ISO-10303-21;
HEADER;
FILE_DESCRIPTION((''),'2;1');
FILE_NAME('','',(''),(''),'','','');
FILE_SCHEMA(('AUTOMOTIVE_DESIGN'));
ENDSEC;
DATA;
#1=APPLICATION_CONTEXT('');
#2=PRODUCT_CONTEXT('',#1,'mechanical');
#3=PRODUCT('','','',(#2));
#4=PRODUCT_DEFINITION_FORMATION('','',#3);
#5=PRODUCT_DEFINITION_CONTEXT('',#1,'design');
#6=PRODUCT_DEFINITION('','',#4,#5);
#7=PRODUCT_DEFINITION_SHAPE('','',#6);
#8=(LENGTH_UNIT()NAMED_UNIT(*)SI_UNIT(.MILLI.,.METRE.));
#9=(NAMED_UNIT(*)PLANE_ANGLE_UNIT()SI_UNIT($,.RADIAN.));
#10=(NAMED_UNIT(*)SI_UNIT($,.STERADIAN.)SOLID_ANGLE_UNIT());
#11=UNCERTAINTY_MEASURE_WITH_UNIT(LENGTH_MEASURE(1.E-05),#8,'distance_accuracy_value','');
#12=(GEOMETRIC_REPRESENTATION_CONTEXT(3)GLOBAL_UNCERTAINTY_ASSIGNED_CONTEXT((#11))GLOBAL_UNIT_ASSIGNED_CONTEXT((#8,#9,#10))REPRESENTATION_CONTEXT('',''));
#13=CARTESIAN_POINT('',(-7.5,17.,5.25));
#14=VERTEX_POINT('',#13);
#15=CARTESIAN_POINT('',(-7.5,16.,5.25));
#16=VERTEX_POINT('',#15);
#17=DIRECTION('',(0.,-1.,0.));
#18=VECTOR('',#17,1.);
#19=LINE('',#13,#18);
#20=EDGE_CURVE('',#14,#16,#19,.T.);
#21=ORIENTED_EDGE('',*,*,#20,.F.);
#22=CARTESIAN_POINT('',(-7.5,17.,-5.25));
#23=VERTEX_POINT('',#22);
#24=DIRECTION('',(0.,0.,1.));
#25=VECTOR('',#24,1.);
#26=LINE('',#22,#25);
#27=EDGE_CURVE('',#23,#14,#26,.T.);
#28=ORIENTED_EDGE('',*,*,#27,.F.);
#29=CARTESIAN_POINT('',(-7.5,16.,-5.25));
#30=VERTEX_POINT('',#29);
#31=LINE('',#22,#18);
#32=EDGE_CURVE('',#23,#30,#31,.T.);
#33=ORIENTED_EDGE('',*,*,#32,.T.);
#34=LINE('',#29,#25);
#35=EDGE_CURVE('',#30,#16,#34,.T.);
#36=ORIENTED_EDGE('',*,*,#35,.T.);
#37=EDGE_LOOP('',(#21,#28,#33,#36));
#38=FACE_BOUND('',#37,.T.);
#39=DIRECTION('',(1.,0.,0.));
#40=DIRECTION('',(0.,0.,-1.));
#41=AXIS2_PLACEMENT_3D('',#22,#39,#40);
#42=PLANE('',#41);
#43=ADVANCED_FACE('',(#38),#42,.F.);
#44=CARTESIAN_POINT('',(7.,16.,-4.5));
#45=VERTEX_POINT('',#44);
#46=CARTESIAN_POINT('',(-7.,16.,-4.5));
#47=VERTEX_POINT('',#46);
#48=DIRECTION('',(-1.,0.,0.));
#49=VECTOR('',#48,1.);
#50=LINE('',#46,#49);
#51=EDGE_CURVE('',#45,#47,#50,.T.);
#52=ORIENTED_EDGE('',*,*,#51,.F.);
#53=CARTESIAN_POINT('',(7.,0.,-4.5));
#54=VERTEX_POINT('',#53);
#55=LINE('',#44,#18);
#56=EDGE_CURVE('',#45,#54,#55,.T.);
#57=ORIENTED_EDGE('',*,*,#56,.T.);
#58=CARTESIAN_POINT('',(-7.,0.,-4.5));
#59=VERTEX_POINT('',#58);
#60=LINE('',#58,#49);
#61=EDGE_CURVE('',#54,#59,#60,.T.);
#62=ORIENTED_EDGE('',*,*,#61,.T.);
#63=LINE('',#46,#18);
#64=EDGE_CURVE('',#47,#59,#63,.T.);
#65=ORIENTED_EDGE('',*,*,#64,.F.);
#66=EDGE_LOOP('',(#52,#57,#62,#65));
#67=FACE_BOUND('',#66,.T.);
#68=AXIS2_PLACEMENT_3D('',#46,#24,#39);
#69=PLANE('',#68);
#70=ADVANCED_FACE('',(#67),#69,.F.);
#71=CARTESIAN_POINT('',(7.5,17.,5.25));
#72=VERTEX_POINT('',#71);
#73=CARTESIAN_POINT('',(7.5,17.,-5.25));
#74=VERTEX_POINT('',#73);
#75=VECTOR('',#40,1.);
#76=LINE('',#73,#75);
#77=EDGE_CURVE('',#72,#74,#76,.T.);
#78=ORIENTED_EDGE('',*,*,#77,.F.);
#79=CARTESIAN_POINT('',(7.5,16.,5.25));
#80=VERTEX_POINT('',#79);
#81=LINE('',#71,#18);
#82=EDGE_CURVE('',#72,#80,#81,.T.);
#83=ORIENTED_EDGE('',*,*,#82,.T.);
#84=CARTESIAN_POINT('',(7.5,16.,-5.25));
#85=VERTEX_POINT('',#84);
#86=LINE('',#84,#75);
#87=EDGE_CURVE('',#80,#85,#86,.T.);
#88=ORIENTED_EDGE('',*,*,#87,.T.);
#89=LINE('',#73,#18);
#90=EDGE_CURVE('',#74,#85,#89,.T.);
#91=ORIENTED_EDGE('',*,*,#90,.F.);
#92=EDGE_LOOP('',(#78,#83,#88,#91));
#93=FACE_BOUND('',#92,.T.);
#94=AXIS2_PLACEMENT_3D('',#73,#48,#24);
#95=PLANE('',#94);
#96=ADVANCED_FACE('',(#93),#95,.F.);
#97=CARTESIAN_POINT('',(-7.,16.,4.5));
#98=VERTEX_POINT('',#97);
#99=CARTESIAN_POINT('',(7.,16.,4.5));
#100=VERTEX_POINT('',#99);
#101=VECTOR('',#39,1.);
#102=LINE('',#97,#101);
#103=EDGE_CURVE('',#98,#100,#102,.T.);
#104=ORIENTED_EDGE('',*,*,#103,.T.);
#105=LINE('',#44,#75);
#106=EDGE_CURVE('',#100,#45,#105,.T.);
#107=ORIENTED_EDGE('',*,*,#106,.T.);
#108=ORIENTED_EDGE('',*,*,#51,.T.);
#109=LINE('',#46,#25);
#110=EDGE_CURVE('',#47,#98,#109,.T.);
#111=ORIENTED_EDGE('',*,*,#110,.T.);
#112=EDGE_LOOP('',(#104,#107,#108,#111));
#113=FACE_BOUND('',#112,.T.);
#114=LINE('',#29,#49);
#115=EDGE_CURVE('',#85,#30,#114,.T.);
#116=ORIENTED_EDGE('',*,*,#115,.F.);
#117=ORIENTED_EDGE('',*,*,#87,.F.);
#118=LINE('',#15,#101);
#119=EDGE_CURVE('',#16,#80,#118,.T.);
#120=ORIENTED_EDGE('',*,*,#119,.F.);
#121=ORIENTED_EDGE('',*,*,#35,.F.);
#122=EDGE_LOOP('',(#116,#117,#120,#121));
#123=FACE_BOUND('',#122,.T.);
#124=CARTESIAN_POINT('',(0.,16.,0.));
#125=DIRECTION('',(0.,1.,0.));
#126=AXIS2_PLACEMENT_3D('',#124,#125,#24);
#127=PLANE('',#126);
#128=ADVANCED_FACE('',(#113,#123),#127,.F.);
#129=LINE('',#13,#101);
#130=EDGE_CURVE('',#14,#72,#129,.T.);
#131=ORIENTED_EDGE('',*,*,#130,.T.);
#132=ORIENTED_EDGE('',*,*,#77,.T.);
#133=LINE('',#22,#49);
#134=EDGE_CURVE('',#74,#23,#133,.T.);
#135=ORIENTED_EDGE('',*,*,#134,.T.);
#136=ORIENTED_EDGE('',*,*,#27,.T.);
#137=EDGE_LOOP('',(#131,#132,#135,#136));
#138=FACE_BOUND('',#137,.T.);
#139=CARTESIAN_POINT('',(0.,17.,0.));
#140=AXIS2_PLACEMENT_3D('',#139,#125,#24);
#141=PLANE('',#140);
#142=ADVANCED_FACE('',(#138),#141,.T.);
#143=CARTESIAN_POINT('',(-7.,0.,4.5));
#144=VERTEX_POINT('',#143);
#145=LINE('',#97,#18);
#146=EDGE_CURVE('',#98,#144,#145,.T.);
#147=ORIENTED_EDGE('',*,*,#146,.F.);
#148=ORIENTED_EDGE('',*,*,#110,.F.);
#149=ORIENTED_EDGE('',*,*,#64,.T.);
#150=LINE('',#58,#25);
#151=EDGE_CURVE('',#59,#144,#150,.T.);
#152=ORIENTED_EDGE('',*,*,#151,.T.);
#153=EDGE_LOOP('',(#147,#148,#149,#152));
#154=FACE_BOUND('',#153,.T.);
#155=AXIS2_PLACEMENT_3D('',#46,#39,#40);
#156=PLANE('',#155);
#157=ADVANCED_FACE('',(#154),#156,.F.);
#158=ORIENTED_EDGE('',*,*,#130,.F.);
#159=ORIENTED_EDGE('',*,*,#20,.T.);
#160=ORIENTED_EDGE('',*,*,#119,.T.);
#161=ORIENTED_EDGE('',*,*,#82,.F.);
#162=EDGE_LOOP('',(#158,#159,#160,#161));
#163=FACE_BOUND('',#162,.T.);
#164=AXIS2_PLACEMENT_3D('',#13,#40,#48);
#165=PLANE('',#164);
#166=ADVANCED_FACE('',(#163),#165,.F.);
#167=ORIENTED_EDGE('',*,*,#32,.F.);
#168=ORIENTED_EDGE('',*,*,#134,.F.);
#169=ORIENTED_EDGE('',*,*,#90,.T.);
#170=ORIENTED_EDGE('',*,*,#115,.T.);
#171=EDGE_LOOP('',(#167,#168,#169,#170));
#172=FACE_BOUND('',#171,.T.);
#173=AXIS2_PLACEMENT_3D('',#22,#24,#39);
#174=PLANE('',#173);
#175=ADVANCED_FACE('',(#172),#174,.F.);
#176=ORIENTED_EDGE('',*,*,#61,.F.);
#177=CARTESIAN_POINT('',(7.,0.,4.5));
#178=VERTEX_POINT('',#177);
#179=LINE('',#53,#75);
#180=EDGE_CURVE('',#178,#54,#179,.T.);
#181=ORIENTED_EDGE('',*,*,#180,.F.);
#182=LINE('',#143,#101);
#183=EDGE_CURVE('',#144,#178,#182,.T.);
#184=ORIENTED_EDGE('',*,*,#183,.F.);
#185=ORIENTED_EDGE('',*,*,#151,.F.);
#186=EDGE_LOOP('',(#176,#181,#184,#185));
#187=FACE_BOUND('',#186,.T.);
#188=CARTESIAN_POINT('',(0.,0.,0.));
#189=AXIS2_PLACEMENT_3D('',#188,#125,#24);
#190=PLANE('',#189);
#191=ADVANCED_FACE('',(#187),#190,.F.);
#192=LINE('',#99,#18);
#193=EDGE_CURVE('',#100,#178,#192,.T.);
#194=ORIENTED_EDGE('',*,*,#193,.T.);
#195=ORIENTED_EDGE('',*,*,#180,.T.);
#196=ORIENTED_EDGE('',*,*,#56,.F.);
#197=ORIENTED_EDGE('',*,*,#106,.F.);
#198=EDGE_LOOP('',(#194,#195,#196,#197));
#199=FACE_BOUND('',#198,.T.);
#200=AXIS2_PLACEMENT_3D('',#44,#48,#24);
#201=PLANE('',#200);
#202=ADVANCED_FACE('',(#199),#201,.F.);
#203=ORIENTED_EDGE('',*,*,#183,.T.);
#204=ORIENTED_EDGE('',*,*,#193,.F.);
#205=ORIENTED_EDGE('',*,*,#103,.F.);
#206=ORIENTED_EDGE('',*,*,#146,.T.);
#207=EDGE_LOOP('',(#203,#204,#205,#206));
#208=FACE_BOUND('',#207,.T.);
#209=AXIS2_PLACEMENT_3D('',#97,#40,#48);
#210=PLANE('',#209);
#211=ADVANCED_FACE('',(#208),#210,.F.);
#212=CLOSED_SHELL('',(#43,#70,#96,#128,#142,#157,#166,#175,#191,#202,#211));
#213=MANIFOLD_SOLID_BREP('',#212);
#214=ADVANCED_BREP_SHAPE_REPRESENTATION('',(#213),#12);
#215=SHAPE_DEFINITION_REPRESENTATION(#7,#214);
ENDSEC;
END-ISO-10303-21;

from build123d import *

# Parameters (mm, degrees)
SKETCH_1_W      = 14
SKETCH_1_H      = 9
EXTRUDE_1_DEPTH = 16
SKETCH_2_W      = 15
SKETCH_2_H      = 10.5
EXTRUDE_2_DEPTH = 1


with BuildPart() as part:
    # 草图1 → 凸台-拉伸1 (new body)
    with BuildSketch(Plane(origin=(0, 0, 0), x_dir=(1, 0, 0), z_dir=(0, 1, 0))):
        Rectangle(SKETCH_1_W, SKETCH_1_H)
    extrude(amount=EXTRUDE_1_DEPTH)

    # 草图2 → 凸台-拉伸2 (add)
    with BuildSketch(Plane(origin=(0, 16, 0), x_dir=(1, 0, 0), z_dir=(0, 1, 0))):
        Rectangle(SKETCH_2_W, SKETCH_2_H)
    extrude(amount=EXTRUDE_2_DEPTH)


solid = part.part
